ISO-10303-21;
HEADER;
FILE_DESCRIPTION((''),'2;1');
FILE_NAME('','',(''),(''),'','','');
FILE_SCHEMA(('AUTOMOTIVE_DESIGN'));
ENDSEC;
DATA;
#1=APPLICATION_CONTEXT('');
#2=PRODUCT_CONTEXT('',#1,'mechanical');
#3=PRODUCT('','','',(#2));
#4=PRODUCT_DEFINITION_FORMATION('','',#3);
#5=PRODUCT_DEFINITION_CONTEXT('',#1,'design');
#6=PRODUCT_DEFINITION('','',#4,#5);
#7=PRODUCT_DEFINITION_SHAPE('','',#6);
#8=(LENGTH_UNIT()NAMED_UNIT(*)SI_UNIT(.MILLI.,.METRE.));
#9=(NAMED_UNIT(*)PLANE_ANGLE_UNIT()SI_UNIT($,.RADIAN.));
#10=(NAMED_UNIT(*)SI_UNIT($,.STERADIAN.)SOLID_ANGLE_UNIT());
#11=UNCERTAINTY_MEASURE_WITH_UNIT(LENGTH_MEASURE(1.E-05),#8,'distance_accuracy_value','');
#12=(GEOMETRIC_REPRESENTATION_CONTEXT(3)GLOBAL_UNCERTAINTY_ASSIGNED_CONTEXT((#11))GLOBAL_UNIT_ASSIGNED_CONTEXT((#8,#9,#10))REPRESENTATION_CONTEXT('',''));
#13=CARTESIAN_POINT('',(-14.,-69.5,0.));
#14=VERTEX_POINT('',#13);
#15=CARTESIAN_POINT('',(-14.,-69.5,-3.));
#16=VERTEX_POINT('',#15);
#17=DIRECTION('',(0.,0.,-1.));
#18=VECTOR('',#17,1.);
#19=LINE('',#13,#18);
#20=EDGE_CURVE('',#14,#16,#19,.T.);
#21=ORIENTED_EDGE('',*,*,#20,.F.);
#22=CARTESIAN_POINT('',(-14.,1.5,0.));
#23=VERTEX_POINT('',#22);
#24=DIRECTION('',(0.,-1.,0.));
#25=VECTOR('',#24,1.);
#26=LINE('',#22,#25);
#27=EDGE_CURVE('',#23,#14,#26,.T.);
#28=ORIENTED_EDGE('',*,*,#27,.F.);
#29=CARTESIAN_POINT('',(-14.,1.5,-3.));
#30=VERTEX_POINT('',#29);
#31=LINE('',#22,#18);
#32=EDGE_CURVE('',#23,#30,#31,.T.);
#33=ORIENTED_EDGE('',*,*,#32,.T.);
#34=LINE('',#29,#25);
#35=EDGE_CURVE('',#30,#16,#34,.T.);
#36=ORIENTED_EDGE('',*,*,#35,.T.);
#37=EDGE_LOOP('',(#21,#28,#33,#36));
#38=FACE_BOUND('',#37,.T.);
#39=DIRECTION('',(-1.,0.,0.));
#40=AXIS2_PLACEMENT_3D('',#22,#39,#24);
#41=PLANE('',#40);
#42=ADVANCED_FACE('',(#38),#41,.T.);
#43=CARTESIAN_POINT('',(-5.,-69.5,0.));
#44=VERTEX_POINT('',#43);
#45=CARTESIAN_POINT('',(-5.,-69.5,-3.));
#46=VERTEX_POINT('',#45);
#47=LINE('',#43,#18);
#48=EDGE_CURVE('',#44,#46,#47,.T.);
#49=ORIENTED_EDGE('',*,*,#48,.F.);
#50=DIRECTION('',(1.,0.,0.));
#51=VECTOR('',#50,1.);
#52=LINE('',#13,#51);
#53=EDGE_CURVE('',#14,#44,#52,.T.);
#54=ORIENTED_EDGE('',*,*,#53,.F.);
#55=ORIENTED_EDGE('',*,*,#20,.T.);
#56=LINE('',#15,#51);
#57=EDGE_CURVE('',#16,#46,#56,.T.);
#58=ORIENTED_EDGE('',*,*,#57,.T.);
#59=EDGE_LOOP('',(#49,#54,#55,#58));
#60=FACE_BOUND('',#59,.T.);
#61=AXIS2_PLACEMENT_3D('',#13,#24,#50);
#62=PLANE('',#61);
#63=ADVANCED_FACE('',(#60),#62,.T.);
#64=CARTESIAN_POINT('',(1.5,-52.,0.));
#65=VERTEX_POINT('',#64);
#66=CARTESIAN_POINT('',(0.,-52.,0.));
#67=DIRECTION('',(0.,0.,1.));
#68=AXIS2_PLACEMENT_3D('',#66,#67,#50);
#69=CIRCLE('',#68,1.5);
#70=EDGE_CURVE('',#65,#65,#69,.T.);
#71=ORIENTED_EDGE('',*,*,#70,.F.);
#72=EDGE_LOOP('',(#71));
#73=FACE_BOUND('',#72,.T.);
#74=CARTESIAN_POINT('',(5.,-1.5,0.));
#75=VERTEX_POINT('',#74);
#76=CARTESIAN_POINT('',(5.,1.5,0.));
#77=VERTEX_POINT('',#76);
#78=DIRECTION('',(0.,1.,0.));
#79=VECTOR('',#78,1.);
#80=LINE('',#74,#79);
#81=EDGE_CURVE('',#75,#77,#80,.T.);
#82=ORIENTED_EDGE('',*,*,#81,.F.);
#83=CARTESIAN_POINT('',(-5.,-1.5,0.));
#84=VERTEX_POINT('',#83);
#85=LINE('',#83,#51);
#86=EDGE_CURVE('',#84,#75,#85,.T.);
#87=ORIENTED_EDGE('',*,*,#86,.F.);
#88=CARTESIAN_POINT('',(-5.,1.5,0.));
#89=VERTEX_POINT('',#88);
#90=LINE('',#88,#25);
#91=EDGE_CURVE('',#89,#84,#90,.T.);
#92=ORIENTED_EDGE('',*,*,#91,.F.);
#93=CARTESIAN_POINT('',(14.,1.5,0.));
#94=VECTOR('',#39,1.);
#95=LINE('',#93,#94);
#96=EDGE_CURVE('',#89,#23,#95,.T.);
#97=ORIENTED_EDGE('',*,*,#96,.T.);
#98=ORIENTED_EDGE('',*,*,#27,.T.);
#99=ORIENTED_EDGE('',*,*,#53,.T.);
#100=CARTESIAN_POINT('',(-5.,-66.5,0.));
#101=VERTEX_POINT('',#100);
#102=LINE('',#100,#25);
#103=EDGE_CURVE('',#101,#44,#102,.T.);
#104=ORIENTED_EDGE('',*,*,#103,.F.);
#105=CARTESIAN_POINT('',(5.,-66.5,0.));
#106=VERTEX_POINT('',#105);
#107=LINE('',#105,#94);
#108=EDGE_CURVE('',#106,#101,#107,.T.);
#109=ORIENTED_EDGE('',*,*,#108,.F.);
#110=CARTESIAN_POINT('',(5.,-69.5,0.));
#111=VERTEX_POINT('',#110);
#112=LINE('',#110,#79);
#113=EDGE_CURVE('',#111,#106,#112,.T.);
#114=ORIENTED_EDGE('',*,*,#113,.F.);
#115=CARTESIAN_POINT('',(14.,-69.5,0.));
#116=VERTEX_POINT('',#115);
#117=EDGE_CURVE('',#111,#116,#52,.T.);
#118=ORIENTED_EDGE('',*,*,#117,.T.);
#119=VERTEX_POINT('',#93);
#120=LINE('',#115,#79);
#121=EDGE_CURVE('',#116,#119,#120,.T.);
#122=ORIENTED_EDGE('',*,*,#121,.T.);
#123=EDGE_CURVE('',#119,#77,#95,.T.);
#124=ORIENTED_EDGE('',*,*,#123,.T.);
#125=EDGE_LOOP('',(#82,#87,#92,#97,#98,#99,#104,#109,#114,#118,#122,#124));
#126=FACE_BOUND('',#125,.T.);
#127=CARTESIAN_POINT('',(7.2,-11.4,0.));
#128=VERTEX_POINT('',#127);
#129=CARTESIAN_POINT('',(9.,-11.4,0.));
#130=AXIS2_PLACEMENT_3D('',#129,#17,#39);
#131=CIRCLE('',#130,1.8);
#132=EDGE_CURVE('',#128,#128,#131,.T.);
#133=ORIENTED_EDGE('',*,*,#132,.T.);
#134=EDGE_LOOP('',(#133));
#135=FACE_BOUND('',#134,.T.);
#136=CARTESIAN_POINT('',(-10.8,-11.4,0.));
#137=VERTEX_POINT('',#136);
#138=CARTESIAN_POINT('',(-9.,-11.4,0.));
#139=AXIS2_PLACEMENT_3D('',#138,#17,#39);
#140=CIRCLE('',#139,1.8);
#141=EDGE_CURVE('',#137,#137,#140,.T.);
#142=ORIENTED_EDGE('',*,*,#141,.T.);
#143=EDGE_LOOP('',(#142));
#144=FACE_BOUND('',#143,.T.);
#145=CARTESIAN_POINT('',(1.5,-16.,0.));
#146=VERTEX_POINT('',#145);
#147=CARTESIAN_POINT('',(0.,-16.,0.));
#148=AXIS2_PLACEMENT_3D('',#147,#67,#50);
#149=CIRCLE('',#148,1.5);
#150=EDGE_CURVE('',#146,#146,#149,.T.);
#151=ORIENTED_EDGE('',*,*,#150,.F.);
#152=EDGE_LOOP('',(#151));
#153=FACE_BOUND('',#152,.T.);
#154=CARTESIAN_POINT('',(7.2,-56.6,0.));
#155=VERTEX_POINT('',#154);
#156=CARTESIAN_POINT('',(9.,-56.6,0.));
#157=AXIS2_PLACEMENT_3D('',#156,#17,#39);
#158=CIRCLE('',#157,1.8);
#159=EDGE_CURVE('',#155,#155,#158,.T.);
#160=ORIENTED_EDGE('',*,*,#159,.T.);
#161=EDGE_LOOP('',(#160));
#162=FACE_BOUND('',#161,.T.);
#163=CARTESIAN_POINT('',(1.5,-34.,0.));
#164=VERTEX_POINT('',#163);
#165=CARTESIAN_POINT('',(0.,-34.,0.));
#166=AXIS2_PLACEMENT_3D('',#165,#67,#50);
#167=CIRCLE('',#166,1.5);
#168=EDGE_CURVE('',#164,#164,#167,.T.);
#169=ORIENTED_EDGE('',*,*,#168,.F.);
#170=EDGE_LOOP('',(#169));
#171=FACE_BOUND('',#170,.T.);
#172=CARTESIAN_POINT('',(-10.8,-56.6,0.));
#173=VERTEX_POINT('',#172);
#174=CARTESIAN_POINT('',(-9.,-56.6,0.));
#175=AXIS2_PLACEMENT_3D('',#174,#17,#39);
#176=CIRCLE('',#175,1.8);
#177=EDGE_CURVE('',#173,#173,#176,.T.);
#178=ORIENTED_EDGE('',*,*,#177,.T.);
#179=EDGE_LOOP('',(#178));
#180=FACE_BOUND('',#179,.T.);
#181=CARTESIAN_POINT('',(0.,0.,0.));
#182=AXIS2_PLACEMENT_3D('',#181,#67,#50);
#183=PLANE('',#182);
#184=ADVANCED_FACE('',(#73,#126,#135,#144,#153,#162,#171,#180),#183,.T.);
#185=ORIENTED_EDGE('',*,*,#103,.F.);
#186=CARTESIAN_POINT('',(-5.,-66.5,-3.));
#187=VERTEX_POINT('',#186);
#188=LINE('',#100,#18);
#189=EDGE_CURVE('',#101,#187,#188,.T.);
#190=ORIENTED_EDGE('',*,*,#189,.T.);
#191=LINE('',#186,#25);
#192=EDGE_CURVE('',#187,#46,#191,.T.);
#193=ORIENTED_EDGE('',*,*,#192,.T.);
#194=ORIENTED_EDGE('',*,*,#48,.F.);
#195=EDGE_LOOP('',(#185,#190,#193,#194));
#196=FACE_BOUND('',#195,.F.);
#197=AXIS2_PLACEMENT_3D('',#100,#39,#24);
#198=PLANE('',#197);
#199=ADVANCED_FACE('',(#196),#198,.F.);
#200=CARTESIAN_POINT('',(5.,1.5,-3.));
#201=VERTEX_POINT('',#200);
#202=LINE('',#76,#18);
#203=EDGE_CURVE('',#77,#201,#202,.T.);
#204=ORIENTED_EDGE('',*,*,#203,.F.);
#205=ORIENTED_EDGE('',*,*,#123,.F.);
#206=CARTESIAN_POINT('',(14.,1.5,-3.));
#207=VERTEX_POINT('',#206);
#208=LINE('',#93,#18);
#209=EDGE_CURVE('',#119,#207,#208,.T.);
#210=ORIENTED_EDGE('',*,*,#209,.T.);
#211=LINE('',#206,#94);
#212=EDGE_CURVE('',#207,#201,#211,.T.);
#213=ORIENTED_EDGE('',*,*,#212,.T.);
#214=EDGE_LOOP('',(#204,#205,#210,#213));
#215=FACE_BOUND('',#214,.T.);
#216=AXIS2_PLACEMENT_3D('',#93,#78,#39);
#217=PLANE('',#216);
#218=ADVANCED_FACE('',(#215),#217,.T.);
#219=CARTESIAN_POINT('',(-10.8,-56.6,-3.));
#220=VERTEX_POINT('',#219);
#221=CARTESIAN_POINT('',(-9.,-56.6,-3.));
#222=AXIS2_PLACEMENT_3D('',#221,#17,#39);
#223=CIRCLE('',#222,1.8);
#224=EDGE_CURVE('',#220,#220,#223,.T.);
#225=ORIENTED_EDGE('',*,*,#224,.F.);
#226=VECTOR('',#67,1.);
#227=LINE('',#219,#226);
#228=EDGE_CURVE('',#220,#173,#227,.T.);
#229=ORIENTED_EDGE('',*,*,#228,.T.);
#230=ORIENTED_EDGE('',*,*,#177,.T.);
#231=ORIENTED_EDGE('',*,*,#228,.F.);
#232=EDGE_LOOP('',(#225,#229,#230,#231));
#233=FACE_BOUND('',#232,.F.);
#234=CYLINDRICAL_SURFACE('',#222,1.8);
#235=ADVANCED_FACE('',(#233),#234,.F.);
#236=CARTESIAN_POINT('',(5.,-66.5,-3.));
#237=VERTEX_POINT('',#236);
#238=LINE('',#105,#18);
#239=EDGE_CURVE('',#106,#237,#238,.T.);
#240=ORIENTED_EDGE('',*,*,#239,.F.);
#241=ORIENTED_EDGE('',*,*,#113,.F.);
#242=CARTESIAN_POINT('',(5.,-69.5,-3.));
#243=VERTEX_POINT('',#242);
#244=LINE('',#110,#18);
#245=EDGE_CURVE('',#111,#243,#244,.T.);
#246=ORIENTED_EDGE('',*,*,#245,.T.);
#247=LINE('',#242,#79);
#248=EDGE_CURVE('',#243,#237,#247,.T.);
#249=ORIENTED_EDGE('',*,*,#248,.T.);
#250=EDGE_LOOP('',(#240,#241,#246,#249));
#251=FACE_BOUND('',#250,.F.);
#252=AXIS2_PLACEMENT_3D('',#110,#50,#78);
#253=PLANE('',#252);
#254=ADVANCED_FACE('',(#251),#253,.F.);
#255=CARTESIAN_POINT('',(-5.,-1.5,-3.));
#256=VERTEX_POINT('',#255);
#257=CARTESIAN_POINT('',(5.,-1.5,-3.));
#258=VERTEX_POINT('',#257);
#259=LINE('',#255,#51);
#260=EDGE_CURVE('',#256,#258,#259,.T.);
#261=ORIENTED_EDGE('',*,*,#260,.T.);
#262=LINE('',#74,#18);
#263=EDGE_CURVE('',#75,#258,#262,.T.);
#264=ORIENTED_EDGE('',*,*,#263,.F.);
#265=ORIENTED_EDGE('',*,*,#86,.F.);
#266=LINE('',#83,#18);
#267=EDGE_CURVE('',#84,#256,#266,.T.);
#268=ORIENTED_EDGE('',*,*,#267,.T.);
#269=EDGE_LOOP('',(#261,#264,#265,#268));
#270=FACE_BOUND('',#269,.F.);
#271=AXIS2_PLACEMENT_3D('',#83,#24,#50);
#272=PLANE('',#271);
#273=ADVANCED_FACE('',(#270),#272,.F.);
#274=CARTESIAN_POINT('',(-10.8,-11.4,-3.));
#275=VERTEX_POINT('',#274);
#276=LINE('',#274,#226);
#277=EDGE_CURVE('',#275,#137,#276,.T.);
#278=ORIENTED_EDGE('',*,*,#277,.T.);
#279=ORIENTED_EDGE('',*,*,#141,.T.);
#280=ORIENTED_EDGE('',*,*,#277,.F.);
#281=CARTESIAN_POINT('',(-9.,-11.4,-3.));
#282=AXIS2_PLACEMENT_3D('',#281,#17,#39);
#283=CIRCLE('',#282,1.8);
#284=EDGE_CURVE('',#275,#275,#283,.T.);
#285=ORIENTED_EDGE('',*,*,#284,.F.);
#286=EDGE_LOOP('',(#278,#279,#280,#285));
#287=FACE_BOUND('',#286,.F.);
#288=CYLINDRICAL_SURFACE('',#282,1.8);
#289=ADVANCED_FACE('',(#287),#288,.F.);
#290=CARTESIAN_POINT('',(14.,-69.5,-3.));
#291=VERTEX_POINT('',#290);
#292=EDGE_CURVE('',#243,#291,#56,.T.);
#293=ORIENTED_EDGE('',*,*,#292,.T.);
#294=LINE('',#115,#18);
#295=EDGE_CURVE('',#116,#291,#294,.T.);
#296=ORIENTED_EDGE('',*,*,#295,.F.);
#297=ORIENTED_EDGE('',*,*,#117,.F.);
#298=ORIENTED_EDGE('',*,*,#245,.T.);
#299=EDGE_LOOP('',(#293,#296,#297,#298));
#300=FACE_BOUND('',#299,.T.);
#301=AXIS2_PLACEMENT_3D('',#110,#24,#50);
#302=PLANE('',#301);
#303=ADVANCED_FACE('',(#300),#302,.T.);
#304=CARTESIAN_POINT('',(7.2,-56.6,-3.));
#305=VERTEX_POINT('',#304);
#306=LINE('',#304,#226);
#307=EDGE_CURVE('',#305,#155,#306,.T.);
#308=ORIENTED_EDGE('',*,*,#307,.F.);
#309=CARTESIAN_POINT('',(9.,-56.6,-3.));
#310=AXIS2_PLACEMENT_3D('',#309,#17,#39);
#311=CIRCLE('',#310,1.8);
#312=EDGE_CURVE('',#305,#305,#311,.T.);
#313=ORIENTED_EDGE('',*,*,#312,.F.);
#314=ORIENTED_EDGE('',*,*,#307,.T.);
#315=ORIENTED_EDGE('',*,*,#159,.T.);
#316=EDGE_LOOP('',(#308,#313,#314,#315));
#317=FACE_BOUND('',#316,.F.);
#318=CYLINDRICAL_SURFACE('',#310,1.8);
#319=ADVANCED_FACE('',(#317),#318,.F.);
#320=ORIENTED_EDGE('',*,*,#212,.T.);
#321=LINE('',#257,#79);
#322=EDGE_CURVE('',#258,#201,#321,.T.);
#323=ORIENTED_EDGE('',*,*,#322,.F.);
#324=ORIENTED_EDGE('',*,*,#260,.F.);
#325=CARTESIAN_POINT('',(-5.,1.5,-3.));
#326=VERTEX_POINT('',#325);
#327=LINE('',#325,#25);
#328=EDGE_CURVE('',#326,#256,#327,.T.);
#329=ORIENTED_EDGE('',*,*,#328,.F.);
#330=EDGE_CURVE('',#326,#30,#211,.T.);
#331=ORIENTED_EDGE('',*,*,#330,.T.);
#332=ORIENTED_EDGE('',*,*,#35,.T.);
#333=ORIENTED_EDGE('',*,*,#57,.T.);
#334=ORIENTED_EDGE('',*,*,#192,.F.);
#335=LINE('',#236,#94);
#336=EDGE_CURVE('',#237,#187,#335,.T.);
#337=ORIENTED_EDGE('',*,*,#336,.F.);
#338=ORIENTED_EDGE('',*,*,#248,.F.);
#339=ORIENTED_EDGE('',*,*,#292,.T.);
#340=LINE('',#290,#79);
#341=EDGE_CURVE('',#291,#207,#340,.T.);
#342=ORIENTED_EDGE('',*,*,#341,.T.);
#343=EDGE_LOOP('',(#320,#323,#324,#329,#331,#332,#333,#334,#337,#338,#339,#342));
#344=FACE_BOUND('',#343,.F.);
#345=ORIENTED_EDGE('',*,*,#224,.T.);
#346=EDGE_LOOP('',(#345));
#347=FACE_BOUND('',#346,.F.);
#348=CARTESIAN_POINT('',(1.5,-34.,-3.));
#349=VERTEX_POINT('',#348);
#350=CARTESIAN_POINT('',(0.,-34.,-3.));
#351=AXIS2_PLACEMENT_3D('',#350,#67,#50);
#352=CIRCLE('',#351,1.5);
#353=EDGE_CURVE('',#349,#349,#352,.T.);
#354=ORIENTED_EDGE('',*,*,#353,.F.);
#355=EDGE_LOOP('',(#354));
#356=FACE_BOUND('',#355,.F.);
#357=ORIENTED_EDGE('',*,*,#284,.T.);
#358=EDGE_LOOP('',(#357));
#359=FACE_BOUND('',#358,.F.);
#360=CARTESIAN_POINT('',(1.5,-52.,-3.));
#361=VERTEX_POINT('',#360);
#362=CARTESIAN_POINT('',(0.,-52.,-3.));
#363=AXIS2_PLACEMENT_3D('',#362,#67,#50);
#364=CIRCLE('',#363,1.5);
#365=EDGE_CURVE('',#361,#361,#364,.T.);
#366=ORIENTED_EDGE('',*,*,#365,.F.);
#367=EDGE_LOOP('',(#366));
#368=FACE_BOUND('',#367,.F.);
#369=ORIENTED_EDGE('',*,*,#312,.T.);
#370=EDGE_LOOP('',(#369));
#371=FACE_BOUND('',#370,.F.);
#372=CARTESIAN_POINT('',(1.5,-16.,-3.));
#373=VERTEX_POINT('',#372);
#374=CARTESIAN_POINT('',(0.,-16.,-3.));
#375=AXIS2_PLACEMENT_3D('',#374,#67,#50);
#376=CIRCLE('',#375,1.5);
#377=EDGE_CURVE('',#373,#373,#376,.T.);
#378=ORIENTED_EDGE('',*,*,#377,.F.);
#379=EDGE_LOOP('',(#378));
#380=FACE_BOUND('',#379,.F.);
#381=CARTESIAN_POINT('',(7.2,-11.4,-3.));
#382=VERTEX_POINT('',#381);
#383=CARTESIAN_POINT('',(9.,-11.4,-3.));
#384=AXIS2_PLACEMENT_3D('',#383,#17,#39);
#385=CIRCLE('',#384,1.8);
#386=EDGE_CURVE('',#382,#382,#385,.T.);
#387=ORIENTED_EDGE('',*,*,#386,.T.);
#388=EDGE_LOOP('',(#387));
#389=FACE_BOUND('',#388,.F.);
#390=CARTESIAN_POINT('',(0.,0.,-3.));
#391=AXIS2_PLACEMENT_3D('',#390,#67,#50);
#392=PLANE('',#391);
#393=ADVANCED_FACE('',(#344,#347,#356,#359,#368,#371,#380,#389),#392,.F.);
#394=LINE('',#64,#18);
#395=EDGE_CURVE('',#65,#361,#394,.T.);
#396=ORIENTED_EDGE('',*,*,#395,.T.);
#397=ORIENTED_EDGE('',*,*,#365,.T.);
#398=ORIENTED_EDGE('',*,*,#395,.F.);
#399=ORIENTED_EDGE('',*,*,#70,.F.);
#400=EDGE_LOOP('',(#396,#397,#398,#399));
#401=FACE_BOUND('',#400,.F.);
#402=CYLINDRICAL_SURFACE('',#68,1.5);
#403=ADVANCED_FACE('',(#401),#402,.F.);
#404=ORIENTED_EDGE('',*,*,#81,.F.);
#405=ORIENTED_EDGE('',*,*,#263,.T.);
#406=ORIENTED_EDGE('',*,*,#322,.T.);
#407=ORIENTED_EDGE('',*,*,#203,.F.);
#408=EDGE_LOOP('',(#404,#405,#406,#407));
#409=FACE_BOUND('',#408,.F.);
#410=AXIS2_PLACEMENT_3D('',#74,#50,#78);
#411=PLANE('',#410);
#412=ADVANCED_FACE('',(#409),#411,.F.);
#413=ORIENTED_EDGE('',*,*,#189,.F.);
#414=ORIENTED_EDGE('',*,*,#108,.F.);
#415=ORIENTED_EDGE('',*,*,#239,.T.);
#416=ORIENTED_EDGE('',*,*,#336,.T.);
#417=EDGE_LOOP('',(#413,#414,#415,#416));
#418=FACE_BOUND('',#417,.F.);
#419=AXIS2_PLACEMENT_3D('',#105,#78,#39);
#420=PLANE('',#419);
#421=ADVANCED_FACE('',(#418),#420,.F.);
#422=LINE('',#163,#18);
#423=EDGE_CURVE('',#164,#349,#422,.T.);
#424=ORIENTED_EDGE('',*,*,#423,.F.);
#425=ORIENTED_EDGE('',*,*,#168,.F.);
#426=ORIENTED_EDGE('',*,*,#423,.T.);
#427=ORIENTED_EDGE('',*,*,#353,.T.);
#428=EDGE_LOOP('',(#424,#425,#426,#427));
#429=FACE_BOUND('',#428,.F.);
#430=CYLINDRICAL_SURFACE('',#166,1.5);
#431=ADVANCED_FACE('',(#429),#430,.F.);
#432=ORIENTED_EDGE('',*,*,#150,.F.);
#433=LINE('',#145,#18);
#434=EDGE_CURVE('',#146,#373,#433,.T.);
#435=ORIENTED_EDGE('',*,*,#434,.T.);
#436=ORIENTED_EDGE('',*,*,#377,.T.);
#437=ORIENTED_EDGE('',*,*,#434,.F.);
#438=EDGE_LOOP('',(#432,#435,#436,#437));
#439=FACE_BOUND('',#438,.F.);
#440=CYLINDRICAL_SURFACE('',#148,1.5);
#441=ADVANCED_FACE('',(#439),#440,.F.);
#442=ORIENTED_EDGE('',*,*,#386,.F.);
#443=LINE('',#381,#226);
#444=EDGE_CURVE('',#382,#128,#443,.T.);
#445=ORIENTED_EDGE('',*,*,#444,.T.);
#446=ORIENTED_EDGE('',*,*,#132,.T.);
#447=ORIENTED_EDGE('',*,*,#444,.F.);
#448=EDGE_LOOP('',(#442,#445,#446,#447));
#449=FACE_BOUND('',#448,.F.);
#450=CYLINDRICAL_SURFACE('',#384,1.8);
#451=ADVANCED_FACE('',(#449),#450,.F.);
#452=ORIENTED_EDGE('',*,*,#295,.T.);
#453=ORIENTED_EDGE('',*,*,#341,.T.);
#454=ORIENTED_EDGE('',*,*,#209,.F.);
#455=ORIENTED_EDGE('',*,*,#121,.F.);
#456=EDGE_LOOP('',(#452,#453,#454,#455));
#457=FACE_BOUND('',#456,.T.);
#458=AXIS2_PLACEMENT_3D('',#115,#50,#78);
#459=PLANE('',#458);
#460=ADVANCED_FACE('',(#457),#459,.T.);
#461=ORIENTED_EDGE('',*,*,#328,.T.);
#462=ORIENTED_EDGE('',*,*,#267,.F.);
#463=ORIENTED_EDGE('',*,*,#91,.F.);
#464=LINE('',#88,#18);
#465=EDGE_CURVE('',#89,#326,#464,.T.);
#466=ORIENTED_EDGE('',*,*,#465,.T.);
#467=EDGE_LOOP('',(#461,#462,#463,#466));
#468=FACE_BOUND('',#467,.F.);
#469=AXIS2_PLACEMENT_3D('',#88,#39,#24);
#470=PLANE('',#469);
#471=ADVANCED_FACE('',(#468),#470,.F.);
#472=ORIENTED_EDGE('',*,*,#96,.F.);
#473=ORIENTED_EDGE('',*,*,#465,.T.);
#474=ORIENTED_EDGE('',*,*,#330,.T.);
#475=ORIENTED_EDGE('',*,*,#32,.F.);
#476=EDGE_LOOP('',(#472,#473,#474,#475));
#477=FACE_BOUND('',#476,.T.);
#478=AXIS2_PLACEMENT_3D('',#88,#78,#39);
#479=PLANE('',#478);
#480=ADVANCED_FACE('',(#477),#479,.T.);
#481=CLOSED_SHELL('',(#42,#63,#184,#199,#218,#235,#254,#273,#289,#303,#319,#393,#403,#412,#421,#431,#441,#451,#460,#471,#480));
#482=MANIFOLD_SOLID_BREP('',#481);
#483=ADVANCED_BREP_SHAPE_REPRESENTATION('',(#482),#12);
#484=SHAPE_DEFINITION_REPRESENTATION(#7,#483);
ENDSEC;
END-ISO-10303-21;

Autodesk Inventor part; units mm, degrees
ref_plane "YZ Plane" through (0, 0, 0) normal (1, 0, 0) x (0, 1, 0)
ref_plane "XZ Plane" through (0, 0, 0) normal (0, 1, 0) x (-1, 0, 0)
ref_plane "XY Plane" through (0, 0, 0) normal (0, 0, 1) x (1, 0, 0)
sketch "Sketch1" plane through (0, 0, 0) normal (0, 0, 1) x (1, 0, 0)
  line L0 (5, 1.5) -> (-5, 1.5) projected
  line L1 (-5, 1.5) -> (-5, -1.5) projected
  line L2 (-5, -1.5) -> (5, -1.5) projected
  line L3 (5, -1.5) -> (5, 1.5) projected
  line L4 (5, -66.5) -> (-5, -66.5) projected
  line L5 (-5, -66.5) -> (-5, -69.5) projected
  line L6 (-5, -69.5) -> (5, -69.5) projected
  line L7 (5, -69.5) -> (5, -66.5) projected
  line L8 (14, -1.5) -> (14, 1.5) construction
  line L9 (-14, -1.5) -> (-14, 1.5) construction
  line L10 (-14, -69.5) -> (-14, -66.5) construction
  line L11 (14, -69.5) -> (14, -66.5) construction
  line L12 (14, 1.5) -> (-14, 1.5)
  line L13 (-14, 1.5) -> (-14, -69.5)
  line L14 (-14, -69.5) -> (14, -69.5)
  line L15 (14, -69.5) -> (14, 1.5)
  point P0 (0, 0)
extrude "Extrusion1" add sketch "Sketch1" against normal blind 3 contours L12 L15 L14 L7 L4 L5 L13 L1 L2 L3
sketch "Sketch2" plane through (0, 0, 0) normal (0, 0, 1) x (1, 0, 0)
  line L0 (5, -66.5) -> (5, -69.5) construction
  line L1 (5, -69.5) -> (14, -69.5) construction
  line L2 (14, -69.5) -> (14, 1.5) construction
  line L3 (14, 1.5) -> (5, 1.5) construction
  line L4 (5, 1.5) -> (5, -1.5) construction
  line L5 (5, -1.5) -> (-5, -1.5) construction
  line L6 (-5, -1.5) -> (-5, 1.5) construction
  line L7 (-5, 1.5) -> (-14, 1.5) construction
  line L8 (-14, 1.5) -> (-14, -69.5) construction
  line L9 (-14, -69.5) -> (-5, -69.5) construction
  line L10 (-5, -69.5) -> (-5, -66.5) construction
  line L11 (-5, -66.5) -> (5, -66.5) construction
  line L12 (14, 1.5) -> (-14, -69.5) construction
  line L13 (5, -69.5) -> (14, -69.5) construction
  line L14 (-14, 1.5) -> (14, -69.5) construction
  circle A0 centre (0, -34) radius 1.5
  circle A1 centre (0, -16) radius 1.5
  circle A2 centre (0, -52) radius 1.5
  point P0 (0, 0)
  dimension "d2" = 3
  dimension "d3" = 3
  dimension "d4" = 3
  dimension "d5" = 18
  dimension "d6" = 18
extrude "Extrusion2" cut sketch "Sketch2" against normal blind 3
sketch "Sketch3" plane through (0, 0, -3) normal (0, 0, -1) x (-1, 0, 0)
  circle A0 centre (-9, -56.6) radius 1.8 projected
  circle A1 centre (-9, -11.4) radius 1.8 projected
  circle A2 centre (9, -11.4) radius 1.8 projected
  circle A3 centre (9, -56.6) radius 1.8 projected
  point P0 (0, 0)
extrude "Extrusion3" cut sketch "Sketch3" against normal blind 3
properties part number "Tilt back support with counter balance option"
